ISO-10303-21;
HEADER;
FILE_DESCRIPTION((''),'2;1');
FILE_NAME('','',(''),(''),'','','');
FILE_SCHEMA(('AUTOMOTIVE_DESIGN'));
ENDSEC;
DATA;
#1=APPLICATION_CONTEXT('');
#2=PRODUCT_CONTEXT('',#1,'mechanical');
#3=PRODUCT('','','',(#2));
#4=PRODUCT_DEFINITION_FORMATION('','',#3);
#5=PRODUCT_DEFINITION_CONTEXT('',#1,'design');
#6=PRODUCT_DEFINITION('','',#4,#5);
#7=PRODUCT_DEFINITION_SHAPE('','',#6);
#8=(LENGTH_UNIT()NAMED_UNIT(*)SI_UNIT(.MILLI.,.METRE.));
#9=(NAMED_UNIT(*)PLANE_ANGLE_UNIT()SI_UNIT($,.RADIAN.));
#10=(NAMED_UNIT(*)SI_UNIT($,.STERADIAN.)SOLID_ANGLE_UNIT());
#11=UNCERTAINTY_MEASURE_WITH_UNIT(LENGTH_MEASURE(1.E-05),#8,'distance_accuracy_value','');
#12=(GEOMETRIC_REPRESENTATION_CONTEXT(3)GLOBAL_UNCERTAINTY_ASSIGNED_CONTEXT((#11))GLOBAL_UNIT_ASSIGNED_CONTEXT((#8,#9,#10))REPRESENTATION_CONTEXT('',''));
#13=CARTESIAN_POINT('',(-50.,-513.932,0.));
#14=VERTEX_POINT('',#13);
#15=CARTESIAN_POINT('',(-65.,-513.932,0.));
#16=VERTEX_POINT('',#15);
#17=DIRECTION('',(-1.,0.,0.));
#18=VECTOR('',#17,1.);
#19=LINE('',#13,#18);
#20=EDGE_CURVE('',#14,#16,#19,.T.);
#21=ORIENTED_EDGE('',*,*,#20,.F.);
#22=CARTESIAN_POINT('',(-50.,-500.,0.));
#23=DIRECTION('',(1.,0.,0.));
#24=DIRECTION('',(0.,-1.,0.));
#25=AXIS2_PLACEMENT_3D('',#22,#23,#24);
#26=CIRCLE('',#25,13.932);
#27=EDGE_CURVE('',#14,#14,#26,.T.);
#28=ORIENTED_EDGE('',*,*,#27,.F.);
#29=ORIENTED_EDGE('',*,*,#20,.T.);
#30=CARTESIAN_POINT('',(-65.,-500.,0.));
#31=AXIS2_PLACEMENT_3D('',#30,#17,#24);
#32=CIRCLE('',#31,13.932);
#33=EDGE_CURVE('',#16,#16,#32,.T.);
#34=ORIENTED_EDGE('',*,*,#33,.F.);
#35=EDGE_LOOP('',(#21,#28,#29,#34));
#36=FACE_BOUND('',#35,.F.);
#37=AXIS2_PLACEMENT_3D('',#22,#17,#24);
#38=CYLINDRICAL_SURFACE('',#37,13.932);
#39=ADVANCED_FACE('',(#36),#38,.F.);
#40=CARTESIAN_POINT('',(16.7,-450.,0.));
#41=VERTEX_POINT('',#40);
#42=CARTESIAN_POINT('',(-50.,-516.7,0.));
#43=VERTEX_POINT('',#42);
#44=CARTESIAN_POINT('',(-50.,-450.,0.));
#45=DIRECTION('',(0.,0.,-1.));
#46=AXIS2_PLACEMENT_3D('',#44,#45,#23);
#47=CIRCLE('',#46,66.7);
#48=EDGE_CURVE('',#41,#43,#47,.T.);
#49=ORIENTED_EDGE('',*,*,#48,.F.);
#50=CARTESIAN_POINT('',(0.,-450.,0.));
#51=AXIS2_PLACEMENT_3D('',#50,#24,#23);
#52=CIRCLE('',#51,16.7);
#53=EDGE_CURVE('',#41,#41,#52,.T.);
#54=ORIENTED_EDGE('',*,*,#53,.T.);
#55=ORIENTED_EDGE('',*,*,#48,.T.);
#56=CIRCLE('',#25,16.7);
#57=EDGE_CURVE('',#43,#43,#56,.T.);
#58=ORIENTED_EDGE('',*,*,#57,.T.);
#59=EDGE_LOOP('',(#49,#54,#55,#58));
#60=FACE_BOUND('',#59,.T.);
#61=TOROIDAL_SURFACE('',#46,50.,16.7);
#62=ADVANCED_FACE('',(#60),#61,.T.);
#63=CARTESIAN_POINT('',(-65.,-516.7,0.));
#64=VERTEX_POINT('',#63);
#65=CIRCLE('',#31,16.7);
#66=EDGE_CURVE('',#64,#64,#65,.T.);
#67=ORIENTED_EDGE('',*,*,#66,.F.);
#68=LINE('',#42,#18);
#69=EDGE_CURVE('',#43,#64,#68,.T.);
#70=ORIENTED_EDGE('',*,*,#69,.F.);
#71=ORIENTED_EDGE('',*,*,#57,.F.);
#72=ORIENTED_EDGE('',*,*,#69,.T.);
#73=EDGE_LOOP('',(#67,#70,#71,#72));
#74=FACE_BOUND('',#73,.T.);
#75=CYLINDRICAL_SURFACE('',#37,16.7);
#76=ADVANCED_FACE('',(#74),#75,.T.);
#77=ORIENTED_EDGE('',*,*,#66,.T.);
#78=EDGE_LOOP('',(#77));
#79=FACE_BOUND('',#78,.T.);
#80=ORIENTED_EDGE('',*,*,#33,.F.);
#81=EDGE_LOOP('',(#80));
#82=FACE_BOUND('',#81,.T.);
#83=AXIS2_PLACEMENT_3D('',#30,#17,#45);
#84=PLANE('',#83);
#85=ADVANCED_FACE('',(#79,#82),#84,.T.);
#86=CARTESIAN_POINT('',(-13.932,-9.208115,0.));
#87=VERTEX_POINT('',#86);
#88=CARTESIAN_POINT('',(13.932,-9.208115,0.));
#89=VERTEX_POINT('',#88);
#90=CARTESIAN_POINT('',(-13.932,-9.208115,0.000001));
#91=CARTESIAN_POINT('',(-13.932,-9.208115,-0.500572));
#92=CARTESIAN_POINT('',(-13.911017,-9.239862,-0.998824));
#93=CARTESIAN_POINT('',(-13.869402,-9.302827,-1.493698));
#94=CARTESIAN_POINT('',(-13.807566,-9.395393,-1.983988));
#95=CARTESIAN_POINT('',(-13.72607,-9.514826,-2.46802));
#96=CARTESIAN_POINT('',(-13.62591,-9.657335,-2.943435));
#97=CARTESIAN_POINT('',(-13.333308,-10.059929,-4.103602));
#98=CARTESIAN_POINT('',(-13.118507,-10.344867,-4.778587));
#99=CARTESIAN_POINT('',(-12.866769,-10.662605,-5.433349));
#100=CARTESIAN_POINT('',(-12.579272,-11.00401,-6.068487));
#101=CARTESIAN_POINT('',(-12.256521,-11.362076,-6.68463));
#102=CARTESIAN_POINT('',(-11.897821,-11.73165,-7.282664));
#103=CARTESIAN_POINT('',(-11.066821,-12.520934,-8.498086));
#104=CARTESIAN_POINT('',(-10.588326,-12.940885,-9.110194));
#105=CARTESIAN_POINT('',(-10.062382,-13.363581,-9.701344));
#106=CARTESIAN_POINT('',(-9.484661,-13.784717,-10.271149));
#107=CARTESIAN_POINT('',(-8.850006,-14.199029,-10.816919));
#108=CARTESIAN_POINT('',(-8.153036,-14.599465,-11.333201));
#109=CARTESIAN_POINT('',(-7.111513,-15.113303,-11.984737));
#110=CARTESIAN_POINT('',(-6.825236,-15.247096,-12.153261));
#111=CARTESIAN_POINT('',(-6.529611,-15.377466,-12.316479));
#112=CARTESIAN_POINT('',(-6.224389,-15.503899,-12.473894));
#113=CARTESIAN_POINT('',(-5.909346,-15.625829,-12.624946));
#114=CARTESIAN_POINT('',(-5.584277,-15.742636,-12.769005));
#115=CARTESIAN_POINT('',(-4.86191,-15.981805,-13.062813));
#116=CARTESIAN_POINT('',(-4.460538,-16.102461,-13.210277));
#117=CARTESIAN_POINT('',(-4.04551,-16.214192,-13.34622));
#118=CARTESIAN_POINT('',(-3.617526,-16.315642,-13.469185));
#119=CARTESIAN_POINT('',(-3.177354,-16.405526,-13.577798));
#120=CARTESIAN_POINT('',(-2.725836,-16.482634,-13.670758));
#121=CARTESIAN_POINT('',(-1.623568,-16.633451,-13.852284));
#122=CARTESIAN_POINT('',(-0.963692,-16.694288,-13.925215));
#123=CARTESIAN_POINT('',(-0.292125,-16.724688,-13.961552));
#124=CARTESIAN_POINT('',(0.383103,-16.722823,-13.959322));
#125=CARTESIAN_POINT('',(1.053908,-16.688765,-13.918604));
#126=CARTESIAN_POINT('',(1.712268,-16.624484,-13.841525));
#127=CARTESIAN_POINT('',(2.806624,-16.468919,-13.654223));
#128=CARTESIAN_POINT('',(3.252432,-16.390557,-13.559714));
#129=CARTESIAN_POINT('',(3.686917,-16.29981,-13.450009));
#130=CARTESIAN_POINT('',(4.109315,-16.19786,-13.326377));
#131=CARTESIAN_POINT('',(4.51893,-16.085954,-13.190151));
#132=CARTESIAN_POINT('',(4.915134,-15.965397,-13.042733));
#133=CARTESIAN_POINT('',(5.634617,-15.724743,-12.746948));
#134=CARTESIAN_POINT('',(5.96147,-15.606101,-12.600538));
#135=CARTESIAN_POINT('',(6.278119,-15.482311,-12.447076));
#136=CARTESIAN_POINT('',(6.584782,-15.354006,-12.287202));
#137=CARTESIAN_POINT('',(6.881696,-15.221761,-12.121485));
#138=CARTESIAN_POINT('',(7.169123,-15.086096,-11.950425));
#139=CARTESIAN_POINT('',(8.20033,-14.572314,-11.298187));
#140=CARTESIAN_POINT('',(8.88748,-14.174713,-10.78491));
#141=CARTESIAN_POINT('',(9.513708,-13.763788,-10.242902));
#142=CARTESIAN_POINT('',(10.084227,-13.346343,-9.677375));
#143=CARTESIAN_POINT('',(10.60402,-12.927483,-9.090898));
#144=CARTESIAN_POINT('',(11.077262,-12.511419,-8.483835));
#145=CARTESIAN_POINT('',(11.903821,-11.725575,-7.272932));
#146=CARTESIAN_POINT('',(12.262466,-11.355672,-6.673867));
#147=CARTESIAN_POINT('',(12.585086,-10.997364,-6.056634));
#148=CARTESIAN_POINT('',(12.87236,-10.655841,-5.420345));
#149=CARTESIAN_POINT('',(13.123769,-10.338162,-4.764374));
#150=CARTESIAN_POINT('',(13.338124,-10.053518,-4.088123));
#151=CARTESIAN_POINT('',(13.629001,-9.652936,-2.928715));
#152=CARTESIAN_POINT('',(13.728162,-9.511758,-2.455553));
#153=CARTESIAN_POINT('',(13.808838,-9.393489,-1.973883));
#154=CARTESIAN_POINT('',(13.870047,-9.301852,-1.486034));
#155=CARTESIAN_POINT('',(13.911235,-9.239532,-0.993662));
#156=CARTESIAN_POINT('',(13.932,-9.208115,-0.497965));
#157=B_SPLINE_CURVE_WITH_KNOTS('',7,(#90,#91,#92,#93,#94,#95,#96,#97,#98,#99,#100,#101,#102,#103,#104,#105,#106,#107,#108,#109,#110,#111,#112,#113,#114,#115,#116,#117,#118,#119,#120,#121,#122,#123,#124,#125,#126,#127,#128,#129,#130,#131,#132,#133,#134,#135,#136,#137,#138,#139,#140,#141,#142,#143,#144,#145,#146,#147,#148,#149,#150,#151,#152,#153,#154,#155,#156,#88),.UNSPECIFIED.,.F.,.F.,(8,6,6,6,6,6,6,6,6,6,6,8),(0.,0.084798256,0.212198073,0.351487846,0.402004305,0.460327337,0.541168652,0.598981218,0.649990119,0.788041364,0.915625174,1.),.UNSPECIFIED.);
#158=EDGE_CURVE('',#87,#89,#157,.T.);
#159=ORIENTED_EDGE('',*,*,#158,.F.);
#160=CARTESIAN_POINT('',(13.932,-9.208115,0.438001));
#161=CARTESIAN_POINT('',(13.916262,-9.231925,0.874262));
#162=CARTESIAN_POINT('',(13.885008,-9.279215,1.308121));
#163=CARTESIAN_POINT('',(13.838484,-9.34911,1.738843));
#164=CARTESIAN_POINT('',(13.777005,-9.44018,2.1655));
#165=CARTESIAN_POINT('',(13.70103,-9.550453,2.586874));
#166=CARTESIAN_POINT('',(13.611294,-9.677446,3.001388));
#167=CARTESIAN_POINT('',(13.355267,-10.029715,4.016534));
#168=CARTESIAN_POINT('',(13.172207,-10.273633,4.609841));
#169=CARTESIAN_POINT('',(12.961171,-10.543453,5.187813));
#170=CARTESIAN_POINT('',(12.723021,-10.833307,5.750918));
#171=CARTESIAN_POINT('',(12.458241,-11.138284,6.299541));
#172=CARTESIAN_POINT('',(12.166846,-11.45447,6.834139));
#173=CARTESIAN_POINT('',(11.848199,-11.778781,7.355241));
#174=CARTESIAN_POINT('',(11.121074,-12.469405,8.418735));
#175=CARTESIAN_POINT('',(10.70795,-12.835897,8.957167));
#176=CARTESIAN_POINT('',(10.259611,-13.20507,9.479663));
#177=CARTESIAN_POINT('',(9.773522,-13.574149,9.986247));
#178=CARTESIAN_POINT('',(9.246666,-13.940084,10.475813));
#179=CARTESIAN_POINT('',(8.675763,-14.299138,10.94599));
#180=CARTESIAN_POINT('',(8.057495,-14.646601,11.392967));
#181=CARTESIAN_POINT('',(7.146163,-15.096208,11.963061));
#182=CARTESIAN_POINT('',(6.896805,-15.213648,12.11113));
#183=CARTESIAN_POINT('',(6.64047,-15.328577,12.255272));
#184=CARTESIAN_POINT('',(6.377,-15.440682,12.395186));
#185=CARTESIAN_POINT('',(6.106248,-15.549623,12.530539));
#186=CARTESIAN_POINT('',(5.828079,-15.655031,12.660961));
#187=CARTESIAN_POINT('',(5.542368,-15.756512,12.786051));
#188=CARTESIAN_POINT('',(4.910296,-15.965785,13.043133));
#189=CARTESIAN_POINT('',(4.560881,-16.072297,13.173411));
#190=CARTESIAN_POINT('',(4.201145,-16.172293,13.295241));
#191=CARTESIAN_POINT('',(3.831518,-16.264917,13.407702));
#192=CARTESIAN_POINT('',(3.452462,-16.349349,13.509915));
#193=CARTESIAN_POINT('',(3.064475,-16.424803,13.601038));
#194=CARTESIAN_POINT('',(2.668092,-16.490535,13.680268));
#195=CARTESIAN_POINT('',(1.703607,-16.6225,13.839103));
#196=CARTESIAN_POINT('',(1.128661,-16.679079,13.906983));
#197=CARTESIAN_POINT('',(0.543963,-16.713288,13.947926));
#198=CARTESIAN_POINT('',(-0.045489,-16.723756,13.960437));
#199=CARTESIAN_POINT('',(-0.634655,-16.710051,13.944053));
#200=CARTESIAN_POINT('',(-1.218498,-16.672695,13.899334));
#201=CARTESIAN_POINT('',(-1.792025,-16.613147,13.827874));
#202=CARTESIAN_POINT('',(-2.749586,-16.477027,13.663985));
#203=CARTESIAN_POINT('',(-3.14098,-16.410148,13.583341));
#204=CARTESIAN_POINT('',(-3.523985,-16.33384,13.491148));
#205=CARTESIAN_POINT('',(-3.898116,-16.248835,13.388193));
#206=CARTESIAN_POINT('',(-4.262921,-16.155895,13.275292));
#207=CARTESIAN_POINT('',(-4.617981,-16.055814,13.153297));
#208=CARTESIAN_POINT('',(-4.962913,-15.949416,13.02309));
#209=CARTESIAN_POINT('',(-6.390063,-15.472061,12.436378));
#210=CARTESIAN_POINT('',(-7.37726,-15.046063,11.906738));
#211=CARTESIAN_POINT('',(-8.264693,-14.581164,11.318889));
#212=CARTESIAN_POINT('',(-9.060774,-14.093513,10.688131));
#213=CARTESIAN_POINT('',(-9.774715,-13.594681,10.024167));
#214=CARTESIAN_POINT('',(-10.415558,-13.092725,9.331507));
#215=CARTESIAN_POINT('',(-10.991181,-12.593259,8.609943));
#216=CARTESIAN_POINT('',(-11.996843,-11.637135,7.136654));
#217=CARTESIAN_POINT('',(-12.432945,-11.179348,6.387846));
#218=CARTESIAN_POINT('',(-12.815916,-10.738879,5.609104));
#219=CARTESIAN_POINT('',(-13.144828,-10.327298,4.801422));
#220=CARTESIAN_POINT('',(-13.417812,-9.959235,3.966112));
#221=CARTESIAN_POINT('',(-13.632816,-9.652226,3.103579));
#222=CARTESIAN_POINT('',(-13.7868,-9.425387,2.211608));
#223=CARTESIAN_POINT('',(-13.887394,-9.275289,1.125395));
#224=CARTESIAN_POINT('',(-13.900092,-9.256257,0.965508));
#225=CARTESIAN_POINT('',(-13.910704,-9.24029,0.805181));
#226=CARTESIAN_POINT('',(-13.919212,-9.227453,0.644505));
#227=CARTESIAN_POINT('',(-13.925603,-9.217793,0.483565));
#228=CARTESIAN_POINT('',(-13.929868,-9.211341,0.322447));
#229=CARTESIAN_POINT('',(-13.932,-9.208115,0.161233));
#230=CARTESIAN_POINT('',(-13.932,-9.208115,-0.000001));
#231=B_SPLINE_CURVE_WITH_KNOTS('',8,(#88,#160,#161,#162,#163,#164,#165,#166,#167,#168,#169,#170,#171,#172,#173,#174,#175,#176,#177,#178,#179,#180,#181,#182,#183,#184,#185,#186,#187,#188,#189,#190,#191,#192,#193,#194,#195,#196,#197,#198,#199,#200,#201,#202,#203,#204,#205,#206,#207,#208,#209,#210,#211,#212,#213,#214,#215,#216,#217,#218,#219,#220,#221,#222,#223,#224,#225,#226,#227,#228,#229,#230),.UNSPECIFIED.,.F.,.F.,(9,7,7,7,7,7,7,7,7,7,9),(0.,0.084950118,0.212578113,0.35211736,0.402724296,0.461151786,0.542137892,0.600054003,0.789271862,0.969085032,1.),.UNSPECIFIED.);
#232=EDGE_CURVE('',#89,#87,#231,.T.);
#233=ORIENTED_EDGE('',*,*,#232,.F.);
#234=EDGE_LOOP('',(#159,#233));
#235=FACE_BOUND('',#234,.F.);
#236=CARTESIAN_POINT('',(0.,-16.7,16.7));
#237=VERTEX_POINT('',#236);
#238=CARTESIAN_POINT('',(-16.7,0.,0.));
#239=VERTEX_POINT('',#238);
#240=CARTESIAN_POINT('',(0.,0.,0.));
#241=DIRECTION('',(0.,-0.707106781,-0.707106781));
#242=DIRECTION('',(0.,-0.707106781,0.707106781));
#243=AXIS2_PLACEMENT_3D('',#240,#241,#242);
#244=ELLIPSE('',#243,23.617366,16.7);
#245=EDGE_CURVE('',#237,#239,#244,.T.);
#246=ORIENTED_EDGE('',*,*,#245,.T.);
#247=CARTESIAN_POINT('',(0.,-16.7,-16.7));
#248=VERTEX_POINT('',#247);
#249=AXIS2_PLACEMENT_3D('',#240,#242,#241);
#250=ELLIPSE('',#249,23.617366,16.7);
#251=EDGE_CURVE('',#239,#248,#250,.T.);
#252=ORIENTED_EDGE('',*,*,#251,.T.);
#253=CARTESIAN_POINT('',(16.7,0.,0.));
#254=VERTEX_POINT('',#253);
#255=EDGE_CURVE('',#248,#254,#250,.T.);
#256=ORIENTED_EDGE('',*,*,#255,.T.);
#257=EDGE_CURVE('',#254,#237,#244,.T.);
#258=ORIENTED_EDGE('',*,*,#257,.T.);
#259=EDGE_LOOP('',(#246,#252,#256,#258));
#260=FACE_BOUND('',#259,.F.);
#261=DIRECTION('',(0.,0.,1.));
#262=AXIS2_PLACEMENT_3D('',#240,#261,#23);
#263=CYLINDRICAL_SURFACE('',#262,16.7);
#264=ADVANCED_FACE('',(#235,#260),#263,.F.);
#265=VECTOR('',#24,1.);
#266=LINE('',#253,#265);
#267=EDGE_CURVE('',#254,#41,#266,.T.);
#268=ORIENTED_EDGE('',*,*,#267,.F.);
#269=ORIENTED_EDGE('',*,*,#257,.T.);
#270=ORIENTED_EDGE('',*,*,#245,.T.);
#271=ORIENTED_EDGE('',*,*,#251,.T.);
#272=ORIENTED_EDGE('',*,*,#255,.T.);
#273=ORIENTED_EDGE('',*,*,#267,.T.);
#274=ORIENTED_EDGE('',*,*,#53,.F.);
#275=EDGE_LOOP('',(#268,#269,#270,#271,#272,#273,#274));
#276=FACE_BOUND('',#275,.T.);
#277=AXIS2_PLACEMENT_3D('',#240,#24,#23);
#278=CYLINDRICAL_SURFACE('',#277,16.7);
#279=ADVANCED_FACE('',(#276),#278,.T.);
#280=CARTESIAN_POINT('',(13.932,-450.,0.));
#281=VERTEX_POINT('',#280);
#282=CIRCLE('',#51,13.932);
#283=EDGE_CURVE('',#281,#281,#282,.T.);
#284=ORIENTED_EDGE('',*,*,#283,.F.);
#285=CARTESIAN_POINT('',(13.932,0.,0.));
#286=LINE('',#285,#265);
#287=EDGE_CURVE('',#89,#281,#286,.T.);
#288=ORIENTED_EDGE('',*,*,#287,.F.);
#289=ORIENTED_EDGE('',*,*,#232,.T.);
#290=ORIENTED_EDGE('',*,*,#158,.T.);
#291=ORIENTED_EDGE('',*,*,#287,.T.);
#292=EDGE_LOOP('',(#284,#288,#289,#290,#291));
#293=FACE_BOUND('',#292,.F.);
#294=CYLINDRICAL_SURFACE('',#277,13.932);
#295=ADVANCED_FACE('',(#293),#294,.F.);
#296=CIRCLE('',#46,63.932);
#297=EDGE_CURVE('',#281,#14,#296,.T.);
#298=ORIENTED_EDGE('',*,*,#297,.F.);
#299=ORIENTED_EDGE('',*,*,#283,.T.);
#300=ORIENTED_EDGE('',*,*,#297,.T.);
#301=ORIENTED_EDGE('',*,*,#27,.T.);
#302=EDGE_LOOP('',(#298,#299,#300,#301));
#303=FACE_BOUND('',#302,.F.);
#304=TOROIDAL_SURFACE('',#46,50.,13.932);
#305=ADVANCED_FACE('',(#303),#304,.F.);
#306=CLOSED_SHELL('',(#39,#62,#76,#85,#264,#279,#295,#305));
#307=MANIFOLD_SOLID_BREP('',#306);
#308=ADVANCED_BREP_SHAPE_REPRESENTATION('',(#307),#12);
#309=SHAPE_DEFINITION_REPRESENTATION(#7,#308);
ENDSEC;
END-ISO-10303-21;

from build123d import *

# Parameters (mm, degrees)
F1_R          = 16.7
F1_R_2        = 13.932
F3_R          = 16.7
F4_DEPTH      = 25
F4_DEPTH_BACK = 25


with BuildPart() as f2:
    # F2: sweep along a path in F0
    with BuildLine(Plane.XY) as f2_path:
        Line((0, 0), (0, -450))
        ThreePointArc((0, -450), (-14.6446609407, -485.3553390593), (-50, -500))
        Line((-50, -500), (-65, -500))
    # F1 (on Front) → F2 (sweep)
    with BuildSketch(Plane.XZ):
        Circle(F1_R)
        Circle(F1_R_2, mode=Mode.SUBTRACT)
    sweep(path=f2_path.line)

    # F3 (on Top) → F4 (cut, two sides)
    with BuildSketch(Plane.XY) as f4_sk:
        Circle(F3_R)
    extrude(amount=-F4_DEPTH, mode=Mode.SUBTRACT)
    extrude(f4_sk.sketch, amount=F4_DEPTH_BACK, mode=Mode.SUBTRACT)


solid = f2.part
